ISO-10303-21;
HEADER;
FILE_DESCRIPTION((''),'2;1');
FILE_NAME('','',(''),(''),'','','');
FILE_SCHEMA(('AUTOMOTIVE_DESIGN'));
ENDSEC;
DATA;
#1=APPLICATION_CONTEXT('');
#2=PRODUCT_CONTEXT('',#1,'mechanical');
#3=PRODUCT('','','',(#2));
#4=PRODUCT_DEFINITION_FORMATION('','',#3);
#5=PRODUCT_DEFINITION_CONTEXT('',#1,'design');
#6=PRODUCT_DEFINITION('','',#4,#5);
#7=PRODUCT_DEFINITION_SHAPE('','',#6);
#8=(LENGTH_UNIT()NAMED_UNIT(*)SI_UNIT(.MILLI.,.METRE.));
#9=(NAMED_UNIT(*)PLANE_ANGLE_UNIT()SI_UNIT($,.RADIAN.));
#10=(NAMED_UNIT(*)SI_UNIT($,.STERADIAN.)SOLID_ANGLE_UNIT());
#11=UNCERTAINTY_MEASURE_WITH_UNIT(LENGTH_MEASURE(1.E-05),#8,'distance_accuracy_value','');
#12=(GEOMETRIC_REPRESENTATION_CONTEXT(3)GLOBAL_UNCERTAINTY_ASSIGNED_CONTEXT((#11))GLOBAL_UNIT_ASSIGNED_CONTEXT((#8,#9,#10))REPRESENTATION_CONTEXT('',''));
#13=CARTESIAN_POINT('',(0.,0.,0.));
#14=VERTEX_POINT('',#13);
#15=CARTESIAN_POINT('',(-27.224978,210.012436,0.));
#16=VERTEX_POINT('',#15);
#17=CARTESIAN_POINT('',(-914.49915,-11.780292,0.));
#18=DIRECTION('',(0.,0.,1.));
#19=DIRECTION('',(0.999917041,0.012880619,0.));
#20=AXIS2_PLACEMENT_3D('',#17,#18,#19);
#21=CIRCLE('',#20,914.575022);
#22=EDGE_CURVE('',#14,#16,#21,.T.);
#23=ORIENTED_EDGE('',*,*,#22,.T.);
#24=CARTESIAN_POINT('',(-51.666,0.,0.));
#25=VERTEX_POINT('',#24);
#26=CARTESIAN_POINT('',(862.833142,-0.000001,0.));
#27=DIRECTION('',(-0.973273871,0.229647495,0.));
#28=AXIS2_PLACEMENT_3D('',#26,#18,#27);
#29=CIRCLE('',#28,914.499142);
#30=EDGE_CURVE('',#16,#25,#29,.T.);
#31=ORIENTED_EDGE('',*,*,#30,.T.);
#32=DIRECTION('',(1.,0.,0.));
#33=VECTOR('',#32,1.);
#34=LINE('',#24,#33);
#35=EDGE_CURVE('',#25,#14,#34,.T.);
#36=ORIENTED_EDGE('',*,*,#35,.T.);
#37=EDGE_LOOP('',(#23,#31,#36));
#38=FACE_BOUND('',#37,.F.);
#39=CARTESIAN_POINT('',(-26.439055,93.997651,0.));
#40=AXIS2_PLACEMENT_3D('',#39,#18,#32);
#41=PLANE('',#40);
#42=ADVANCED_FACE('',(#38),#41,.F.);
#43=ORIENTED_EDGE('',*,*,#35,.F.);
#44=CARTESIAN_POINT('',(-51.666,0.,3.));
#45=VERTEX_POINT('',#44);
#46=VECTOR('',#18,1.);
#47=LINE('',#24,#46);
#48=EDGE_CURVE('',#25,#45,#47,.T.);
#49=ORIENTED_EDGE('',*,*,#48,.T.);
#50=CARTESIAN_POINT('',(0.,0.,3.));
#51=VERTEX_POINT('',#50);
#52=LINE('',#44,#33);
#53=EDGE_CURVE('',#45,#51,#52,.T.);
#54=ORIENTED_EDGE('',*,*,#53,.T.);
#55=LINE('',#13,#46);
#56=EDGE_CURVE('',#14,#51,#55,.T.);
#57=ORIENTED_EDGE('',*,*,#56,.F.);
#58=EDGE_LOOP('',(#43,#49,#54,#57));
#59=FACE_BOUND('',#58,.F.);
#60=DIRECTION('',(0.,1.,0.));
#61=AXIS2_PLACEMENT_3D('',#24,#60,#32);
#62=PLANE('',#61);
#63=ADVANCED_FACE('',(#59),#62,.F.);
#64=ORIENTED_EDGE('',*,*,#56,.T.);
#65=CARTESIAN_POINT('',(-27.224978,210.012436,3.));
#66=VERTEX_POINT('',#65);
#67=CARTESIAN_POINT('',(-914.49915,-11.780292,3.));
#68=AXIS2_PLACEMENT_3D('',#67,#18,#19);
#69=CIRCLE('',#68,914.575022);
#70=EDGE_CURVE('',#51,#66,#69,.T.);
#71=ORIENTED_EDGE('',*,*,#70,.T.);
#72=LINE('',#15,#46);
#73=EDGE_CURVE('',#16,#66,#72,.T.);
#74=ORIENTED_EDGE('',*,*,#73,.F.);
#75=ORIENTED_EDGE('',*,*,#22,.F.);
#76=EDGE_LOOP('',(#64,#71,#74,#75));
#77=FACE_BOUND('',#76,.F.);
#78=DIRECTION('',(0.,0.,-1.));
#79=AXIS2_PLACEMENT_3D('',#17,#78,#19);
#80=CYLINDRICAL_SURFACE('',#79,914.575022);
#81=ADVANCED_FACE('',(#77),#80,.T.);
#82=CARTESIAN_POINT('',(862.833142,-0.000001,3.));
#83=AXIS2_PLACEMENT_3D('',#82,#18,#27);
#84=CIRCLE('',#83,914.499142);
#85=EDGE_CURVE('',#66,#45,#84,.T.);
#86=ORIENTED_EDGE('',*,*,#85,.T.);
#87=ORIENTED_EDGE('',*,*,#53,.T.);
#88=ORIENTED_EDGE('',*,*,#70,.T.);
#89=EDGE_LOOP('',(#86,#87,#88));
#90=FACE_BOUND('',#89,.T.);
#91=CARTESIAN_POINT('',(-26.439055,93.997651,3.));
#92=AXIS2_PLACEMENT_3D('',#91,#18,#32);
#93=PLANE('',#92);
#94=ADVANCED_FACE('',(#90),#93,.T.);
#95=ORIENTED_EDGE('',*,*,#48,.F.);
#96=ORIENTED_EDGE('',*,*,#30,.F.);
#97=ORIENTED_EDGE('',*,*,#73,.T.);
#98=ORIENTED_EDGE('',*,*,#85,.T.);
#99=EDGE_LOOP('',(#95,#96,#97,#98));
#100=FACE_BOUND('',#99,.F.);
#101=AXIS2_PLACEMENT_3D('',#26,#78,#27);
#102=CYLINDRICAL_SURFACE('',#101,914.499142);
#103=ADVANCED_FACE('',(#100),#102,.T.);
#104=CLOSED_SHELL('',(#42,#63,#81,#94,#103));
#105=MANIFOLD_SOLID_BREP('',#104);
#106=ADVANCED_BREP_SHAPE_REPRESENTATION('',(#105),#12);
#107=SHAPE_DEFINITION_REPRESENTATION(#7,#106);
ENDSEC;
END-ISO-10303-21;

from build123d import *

# Parameters (mm, degrees)
F1_DEPTH = 3


with BuildPart() as f1:
    # F0 (on Top) → F1 (new body)
    with BuildSketch(Plane.XY):
        with BuildLine():
            ThreePointArc((-27.224978, 210.012436), (-45.535194, 105.714931), (-51.666, 0))
            Line((-51.666, 0), (0, 0))
            ThreePointArc((0, 0), (-7.513438, 105.796869), (-27.224978, 210.012436))
        make_face()
    extrude(amount=F1_DEPTH)


solid = f1.part
